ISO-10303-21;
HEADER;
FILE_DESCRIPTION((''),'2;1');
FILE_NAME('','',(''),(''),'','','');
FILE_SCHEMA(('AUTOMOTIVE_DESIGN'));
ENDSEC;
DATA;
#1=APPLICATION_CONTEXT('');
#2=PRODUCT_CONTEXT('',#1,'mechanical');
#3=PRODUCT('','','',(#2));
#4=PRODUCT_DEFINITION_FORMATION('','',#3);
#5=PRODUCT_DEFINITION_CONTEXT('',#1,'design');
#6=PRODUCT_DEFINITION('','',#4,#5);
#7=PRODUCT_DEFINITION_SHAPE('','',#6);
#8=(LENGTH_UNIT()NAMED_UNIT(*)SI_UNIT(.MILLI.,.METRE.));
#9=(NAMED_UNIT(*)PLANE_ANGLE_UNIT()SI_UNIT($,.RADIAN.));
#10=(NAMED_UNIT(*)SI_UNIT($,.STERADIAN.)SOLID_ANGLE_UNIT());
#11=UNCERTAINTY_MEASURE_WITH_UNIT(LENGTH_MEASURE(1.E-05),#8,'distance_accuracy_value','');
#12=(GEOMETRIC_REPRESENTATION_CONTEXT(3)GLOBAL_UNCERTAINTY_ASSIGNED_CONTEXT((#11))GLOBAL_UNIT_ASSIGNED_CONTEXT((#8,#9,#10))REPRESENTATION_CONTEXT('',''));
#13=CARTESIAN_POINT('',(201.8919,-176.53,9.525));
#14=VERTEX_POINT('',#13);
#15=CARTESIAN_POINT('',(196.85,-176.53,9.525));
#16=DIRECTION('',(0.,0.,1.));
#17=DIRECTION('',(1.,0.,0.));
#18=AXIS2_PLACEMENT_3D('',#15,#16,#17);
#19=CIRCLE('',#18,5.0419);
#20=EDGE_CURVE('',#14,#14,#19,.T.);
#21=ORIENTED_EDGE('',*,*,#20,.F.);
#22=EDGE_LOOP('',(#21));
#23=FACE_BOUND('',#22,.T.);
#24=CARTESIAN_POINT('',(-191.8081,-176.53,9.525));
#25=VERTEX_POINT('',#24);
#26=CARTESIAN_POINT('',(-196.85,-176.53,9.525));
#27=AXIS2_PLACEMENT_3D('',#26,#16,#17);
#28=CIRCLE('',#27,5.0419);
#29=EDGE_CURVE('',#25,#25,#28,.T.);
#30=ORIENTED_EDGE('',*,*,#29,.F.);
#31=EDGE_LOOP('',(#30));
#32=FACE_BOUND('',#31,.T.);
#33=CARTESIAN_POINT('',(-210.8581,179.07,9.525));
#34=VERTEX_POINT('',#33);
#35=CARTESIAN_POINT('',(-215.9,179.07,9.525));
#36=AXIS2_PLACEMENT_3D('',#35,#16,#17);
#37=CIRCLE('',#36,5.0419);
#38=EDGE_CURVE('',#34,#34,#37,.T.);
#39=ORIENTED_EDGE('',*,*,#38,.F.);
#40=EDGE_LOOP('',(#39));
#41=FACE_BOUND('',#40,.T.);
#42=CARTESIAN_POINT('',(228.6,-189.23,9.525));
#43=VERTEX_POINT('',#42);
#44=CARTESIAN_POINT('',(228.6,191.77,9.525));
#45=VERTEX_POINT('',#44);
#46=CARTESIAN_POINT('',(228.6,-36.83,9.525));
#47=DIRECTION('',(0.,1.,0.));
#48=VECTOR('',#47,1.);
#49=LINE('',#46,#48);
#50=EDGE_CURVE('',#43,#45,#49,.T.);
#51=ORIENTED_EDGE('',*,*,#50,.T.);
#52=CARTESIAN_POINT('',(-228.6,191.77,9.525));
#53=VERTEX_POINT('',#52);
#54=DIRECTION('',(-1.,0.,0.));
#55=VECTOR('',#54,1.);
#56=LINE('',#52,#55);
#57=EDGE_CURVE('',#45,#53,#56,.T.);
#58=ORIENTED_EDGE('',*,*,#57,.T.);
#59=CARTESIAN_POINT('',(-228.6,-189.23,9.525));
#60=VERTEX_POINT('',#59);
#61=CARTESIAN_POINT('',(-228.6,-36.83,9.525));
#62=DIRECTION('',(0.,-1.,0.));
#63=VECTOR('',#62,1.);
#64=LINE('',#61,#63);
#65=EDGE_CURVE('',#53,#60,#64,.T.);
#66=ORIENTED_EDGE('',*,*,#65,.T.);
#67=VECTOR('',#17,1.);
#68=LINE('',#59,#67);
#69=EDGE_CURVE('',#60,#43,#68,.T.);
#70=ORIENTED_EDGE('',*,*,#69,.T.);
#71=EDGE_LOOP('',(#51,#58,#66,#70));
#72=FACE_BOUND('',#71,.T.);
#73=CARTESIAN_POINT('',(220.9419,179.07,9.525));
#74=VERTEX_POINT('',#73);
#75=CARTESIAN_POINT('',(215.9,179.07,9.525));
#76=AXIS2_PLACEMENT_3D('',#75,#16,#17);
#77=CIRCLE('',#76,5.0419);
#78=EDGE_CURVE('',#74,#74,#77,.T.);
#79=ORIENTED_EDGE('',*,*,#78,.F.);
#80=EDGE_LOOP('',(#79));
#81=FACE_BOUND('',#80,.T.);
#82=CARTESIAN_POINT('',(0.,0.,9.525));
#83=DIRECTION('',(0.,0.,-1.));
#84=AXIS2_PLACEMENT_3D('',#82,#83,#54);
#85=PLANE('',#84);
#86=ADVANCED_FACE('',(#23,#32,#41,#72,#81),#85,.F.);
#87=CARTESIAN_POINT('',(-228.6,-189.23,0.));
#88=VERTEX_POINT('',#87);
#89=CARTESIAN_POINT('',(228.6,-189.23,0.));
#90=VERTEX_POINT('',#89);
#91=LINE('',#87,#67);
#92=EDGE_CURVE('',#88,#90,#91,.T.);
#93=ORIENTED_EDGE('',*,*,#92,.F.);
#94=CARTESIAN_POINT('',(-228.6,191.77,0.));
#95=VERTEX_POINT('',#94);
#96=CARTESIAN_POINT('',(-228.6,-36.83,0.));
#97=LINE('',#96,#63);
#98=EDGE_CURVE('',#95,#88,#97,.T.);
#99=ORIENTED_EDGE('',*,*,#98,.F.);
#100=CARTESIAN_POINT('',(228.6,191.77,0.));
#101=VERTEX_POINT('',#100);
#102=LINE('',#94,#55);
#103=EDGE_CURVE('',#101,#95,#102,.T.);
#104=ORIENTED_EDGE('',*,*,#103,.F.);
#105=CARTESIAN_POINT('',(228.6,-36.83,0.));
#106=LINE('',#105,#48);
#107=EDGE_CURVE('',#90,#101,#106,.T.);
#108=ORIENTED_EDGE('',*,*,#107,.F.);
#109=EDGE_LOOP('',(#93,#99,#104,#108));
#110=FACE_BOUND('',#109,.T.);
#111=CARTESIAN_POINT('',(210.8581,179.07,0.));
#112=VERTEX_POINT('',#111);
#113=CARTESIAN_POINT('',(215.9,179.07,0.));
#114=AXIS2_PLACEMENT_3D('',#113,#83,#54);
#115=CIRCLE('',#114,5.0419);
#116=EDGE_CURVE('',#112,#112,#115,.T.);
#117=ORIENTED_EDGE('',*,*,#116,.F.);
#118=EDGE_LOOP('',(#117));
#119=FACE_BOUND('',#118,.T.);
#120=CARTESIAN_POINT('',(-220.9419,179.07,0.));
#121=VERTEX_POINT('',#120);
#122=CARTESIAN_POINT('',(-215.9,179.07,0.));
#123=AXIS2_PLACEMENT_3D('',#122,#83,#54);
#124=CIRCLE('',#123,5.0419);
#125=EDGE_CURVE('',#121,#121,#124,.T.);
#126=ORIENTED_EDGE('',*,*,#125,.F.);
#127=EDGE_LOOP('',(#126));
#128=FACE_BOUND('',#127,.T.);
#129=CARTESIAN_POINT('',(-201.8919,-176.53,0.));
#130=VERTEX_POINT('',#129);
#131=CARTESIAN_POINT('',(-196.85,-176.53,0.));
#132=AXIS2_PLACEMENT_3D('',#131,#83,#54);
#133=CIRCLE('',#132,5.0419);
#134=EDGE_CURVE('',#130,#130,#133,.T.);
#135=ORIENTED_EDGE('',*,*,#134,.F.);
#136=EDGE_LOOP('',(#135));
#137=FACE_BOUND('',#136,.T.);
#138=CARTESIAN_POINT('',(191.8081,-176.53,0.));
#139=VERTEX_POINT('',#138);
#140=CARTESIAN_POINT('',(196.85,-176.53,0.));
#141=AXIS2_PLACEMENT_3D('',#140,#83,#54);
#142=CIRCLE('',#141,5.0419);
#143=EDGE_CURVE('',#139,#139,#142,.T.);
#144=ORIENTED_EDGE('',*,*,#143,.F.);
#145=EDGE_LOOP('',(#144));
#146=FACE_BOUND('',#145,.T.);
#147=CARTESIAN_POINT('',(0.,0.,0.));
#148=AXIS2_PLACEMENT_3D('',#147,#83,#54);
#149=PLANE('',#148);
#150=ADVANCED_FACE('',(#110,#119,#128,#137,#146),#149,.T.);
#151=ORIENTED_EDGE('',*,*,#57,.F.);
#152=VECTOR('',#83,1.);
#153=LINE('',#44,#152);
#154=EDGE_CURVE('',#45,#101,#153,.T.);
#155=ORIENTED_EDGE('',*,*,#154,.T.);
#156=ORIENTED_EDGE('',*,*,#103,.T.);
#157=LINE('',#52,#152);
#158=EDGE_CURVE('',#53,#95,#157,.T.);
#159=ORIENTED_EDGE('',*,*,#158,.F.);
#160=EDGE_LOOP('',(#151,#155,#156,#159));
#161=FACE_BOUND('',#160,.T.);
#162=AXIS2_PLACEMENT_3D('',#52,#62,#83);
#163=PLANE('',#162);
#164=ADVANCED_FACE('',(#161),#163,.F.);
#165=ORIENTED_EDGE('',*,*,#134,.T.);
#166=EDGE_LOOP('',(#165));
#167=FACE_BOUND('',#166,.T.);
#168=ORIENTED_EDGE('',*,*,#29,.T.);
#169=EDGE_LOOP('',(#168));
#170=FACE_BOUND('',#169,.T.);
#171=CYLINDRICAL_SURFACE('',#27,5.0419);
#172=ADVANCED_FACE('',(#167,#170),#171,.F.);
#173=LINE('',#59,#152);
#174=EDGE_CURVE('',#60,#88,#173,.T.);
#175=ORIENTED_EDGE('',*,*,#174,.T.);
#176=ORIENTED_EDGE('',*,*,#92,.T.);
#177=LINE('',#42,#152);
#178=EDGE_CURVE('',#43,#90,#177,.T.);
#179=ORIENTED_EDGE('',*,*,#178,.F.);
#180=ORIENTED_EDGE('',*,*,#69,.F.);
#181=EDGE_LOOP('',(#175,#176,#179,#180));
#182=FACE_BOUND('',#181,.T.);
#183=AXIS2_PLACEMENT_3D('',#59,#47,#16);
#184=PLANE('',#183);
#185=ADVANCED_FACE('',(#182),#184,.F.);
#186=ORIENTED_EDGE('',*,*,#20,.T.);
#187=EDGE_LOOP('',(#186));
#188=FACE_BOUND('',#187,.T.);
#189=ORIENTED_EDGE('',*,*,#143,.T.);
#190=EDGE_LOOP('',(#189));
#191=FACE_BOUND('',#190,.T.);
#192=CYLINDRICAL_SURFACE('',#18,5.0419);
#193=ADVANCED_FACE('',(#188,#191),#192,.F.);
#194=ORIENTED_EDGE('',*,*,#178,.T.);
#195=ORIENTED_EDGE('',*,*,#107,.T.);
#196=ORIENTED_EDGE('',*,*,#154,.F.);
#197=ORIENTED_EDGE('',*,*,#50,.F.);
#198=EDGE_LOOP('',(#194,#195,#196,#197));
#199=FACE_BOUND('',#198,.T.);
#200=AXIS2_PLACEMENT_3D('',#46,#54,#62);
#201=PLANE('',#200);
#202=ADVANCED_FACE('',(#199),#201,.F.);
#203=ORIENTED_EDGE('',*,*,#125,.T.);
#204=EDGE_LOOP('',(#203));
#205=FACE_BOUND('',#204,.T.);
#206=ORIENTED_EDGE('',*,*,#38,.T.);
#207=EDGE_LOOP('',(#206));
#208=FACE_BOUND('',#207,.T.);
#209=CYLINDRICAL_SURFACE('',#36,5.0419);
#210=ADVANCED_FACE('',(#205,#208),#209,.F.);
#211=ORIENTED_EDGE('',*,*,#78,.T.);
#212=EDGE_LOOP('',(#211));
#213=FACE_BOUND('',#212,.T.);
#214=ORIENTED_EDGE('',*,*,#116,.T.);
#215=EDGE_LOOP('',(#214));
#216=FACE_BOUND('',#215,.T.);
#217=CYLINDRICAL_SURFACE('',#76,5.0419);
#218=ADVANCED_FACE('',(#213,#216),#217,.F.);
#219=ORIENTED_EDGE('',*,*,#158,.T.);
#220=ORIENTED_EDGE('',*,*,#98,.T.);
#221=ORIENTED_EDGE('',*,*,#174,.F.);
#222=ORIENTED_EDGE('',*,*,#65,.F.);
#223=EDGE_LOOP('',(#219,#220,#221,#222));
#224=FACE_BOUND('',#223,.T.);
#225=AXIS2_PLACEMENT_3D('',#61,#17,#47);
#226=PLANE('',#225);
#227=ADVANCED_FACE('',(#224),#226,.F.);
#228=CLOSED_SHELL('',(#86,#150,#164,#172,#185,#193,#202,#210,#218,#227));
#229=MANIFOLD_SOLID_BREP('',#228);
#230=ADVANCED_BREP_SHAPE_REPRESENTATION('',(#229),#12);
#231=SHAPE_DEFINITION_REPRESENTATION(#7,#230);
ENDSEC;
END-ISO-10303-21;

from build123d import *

# Parameters (mm, degrees)
BOSS_EXTRUDE1_DEPTH         = 9.525
F_3_8_CLEARANCE_HOLE1_D     = 10.0838
F_3_8_CLEARANCE_HOLE1_DEPTH = 25.4
F_3_8_CLEARANCE_HOLE1_TIP   = 3.029479155


with BuildPart() as part:
    # Sketch1 → Boss-Extrude1 (new body)
    with BuildSketch(Plane.XY):
        Polygon((-228.6, -36.83), (-228.6, -189.23), (228.6, -189.23), (228.6, -36.83), (228.6, 191.77), (-228.6, 191.77), align=None)
    extrude(amount=BOSS_EXTRUDE1_DEPTH)

    # 3/8 Clearance Hole1
    with Locations(Plane.XY.offset(9.525)):
        with Locations((-215.9, 179.07), (215.9, 179.07), (196.85, -176.53), (-196.85, -176.53)):
            Hole(F_3_8_CLEARANCE_HOLE1_D / 2, depth=F_3_8_CLEARANCE_HOLE1_DEPTH)
            with Locations((0, 0, -(F_3_8_CLEARANCE_HOLE1_DEPTH + F_3_8_CLEARANCE_HOLE1_TIP / 2))):  # 118° drill point
                Cone(0, F_3_8_CLEARANCE_HOLE1_D / 2, F_3_8_CLEARANCE_HOLE1_TIP, mode=Mode.SUBTRACT)


solid = part.part
